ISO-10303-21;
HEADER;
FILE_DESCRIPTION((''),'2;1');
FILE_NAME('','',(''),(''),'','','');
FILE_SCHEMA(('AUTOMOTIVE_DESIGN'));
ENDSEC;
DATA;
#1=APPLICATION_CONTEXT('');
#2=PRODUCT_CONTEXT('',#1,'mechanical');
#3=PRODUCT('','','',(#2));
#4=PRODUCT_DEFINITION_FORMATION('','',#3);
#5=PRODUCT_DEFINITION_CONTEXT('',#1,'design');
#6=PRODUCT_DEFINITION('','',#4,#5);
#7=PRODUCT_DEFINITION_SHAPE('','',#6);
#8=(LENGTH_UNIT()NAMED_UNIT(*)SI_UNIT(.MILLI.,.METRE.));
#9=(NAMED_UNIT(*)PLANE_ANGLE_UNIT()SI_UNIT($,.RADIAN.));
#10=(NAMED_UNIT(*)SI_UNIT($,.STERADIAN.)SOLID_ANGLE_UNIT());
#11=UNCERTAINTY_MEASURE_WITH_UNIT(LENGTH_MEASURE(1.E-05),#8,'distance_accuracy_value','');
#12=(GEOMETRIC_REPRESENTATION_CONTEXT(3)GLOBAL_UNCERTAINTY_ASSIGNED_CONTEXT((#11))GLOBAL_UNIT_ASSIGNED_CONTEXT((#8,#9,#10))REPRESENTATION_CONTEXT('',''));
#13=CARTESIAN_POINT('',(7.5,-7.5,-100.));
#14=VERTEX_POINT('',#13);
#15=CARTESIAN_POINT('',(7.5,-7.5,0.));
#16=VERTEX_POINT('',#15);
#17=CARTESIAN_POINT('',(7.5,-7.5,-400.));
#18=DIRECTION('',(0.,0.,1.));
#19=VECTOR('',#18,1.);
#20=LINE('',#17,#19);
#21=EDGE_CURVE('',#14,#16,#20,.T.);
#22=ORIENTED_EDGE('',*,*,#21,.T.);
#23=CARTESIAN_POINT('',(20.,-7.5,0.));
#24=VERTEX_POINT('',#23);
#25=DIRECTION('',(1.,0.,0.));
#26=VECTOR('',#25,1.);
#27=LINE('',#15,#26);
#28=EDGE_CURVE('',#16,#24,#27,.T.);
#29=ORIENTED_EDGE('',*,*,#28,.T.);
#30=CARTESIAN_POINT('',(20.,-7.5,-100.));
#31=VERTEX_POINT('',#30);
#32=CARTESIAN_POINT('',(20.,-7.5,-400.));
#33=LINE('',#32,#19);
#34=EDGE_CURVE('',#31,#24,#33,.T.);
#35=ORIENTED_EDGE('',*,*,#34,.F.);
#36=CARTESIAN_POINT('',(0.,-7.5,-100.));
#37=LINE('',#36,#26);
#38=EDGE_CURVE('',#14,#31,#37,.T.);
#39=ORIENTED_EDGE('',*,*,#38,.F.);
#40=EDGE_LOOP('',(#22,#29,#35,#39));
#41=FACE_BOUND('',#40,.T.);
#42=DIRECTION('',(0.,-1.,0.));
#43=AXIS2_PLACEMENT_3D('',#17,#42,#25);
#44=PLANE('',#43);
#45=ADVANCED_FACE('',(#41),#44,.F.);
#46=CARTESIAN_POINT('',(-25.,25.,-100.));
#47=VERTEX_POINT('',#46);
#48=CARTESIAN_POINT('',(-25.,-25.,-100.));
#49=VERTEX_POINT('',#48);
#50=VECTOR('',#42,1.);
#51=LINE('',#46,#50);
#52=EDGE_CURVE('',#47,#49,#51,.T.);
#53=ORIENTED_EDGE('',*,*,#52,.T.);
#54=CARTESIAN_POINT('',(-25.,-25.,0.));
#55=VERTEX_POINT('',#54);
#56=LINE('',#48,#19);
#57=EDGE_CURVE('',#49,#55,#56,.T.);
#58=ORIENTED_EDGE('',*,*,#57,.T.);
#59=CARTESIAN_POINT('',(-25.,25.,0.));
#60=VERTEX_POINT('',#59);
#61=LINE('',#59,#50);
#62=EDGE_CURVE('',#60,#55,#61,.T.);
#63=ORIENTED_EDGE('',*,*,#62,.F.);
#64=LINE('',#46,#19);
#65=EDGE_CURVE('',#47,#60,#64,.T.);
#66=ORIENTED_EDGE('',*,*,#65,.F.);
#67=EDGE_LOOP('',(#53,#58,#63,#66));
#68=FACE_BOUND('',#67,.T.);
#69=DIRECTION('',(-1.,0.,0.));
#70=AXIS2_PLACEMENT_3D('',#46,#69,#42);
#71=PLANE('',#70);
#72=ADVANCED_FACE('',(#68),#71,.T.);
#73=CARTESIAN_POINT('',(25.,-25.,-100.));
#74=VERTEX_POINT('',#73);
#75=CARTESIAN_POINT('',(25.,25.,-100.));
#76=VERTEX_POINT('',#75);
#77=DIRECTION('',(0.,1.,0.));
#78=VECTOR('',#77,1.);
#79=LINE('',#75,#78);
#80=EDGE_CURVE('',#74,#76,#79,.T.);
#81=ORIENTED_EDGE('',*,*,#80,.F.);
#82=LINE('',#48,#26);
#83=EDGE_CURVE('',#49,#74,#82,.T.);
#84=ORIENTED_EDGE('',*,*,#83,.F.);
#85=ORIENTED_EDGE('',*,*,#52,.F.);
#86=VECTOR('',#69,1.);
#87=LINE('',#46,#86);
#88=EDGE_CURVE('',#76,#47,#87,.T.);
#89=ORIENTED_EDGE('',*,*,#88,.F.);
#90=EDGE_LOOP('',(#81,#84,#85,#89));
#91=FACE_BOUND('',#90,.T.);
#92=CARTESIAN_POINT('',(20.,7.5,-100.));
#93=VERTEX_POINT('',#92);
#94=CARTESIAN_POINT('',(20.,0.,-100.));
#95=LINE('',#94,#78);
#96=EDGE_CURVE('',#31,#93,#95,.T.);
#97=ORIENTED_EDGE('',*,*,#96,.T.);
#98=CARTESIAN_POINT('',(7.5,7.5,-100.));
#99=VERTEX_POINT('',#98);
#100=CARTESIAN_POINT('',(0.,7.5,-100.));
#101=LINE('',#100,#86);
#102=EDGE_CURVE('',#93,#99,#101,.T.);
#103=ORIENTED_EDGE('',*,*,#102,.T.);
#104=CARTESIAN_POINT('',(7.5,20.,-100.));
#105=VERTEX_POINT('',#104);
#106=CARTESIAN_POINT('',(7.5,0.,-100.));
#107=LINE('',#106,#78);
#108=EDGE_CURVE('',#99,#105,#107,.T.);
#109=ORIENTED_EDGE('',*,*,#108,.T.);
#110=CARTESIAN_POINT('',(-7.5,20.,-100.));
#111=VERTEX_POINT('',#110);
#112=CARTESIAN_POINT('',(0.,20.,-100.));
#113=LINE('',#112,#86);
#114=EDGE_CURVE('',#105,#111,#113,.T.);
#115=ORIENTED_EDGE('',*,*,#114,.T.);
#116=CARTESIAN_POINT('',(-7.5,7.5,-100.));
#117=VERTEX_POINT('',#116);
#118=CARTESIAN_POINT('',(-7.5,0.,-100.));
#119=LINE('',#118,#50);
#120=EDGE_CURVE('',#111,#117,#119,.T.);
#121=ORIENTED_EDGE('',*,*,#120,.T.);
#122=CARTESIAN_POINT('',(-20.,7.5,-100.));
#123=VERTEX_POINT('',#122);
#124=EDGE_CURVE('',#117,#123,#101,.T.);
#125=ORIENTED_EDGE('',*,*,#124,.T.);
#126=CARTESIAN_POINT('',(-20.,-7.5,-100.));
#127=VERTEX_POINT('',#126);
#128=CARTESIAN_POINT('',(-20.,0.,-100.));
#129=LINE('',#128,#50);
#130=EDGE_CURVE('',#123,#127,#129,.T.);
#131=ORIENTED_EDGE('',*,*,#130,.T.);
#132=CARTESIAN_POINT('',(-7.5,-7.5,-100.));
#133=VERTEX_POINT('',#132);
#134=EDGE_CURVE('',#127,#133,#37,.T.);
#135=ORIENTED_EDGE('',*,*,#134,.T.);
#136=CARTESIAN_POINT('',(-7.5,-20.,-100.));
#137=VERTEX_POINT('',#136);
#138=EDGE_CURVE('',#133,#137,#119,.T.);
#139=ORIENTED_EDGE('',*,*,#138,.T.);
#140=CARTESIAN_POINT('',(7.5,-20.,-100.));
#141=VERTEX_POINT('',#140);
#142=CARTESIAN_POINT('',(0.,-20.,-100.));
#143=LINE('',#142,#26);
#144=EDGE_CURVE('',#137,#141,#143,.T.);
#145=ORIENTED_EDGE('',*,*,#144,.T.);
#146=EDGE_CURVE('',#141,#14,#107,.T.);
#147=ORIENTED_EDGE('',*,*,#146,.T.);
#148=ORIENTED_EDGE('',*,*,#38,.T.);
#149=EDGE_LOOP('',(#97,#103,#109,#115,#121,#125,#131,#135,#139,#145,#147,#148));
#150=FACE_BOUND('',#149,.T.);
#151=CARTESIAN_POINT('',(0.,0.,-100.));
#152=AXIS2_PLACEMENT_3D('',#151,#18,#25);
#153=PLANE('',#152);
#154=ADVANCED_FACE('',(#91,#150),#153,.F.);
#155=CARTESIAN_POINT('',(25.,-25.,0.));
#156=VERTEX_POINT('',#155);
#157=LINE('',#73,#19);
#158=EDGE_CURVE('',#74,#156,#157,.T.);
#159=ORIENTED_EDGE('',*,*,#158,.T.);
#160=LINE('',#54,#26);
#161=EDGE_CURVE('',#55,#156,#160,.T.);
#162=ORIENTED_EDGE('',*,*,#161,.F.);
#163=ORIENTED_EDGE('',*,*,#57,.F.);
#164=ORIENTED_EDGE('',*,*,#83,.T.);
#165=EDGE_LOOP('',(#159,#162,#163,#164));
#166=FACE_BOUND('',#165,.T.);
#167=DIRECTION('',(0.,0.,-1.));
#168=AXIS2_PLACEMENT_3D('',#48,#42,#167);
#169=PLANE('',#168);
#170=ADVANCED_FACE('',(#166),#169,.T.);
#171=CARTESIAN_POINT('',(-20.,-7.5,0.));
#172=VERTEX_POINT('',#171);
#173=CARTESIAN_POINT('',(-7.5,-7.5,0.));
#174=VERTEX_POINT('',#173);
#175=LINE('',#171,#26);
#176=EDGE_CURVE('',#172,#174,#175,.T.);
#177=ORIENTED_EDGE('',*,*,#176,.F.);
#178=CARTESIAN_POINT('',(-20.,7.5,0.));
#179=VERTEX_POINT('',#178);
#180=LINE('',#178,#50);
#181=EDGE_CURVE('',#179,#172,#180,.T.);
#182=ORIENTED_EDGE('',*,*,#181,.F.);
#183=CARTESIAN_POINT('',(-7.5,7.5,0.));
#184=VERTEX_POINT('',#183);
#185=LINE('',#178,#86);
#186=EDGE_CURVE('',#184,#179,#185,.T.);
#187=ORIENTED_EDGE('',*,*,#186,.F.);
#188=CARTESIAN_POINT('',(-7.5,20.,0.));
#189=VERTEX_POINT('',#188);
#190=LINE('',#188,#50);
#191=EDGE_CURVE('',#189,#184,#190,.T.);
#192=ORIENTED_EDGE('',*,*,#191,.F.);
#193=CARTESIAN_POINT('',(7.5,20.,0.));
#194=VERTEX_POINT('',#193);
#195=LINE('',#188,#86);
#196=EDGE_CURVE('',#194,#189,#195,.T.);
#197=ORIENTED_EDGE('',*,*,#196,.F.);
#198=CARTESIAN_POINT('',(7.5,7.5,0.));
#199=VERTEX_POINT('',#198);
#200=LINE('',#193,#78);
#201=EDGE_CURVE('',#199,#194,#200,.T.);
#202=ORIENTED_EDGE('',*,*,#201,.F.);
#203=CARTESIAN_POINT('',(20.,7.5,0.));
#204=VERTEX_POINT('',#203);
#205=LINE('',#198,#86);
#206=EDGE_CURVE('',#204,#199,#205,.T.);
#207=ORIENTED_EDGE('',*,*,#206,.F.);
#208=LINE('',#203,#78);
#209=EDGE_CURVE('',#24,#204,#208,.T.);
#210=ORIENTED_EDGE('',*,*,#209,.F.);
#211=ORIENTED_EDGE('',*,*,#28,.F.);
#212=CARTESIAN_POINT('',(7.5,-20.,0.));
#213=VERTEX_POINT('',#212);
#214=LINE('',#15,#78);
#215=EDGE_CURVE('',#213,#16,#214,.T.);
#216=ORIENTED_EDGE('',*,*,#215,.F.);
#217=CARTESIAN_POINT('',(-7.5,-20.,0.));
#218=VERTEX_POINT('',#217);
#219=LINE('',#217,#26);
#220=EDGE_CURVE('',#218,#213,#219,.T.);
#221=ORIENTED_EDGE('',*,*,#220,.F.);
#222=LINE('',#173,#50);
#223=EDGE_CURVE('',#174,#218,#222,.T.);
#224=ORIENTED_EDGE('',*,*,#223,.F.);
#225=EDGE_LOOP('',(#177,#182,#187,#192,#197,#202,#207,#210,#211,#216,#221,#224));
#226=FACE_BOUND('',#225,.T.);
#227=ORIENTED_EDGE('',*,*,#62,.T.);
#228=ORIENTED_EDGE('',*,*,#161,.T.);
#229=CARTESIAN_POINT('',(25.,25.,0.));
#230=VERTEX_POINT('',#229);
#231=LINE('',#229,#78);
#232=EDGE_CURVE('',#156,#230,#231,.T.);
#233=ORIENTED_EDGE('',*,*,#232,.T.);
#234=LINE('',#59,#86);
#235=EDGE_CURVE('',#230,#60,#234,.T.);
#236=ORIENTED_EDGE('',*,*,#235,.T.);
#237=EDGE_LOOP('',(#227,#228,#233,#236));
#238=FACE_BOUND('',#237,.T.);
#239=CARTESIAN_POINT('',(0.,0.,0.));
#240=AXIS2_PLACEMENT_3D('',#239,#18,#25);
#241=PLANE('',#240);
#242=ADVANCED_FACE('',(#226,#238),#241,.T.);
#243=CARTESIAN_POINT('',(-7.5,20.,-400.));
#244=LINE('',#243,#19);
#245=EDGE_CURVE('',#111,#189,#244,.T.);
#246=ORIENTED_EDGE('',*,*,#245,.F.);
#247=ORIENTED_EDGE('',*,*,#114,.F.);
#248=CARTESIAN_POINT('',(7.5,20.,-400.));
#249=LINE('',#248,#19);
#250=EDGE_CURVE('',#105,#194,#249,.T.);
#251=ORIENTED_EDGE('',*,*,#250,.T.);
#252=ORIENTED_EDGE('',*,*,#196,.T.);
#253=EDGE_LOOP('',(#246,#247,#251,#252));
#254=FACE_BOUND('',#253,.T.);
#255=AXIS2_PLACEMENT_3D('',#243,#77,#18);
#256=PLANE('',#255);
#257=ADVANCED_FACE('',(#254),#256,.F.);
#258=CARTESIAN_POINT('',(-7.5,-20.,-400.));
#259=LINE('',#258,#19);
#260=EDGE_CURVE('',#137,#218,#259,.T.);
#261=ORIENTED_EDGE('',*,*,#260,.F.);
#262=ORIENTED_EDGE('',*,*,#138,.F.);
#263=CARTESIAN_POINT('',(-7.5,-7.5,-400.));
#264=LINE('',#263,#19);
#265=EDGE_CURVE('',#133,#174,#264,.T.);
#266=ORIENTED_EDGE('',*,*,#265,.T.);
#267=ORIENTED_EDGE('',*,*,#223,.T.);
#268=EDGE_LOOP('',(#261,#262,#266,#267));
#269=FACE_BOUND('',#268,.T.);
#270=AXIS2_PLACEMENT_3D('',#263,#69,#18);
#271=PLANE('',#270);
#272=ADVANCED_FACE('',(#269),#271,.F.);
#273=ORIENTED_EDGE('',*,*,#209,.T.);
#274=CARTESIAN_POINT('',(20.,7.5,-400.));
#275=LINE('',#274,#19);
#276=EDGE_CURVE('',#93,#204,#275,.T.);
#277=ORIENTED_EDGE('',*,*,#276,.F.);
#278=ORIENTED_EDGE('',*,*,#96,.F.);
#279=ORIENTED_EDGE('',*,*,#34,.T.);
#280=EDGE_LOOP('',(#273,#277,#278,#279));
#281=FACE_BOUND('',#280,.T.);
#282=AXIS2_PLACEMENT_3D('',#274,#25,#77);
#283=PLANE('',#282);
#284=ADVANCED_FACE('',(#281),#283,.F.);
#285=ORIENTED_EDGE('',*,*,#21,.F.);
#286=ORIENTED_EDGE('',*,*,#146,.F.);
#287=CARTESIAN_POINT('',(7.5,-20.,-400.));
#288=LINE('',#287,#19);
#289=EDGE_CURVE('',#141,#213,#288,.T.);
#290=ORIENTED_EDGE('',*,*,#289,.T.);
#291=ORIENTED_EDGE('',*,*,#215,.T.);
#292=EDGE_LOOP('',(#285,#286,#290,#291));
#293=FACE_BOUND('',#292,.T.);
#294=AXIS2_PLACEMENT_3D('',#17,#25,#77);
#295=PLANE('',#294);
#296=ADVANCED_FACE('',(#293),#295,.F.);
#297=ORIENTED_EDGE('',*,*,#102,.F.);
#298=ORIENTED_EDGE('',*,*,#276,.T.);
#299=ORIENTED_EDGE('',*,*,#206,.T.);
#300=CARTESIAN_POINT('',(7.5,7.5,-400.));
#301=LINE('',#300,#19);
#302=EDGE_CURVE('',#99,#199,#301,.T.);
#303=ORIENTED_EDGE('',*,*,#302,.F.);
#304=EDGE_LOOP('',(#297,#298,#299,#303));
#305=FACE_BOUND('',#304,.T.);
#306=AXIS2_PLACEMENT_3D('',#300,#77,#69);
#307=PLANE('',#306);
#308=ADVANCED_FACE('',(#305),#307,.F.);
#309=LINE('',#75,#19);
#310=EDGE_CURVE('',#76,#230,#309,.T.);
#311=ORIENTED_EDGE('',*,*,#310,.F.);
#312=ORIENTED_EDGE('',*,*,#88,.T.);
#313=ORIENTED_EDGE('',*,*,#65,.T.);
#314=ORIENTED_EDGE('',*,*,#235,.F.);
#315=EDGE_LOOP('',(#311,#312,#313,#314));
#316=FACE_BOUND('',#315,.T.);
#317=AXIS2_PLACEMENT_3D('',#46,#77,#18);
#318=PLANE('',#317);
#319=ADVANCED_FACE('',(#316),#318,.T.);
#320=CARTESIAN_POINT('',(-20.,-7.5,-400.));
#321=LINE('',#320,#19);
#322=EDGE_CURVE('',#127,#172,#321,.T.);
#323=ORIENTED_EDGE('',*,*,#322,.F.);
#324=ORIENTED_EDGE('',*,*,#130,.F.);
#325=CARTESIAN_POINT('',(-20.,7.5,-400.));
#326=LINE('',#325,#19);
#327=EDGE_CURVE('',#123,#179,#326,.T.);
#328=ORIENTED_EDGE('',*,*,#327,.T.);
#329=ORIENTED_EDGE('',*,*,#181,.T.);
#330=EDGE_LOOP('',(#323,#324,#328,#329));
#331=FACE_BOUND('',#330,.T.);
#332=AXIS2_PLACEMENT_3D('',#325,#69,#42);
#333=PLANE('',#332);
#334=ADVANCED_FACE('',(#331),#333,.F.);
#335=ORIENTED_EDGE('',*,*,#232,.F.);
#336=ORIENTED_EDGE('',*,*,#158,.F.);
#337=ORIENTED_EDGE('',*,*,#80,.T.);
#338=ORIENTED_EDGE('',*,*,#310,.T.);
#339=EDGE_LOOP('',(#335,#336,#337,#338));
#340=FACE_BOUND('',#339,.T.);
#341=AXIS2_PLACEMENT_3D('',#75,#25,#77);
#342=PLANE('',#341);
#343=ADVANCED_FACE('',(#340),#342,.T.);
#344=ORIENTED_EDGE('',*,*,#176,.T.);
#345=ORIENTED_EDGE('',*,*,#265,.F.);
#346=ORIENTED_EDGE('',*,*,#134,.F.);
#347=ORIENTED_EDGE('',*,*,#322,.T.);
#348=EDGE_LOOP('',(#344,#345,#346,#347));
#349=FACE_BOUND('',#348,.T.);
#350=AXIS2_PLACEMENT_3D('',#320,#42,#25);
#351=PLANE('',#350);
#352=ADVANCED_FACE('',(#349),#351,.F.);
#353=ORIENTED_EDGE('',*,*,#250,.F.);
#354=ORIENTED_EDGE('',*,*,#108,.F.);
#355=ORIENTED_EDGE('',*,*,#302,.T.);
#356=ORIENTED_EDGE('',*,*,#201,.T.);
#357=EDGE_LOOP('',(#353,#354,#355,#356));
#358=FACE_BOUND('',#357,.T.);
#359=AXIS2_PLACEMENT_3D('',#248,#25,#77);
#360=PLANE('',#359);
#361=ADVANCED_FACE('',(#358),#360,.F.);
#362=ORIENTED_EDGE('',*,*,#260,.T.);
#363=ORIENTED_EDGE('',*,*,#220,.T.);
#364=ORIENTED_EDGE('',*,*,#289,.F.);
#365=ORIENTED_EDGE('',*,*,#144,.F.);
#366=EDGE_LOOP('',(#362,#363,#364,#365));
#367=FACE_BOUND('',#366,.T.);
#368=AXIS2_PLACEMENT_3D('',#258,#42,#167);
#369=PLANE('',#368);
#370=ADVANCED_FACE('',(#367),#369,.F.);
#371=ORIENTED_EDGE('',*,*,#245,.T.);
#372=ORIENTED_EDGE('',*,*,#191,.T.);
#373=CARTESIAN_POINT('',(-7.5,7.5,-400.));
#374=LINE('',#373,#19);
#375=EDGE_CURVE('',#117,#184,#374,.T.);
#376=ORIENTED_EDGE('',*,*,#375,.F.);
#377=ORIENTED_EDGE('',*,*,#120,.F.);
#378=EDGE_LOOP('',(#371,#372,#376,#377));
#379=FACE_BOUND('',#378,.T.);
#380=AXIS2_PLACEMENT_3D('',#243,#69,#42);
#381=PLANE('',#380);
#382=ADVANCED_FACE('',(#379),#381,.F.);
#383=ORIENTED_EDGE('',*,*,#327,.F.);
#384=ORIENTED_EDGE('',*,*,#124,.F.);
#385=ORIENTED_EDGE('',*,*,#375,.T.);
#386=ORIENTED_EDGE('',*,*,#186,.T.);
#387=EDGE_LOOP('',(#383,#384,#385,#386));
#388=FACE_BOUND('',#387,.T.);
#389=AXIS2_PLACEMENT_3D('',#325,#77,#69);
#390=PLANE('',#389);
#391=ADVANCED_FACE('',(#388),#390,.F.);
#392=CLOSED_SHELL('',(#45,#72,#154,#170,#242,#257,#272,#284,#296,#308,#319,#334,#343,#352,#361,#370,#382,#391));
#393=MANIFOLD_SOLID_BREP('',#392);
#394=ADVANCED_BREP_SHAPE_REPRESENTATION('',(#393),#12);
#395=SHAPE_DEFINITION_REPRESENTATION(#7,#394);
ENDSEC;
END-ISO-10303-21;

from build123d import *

# Parameters (mm, degrees)
SKETCH1_W           = 50
SKETCH1_H           = 50
BOSS_EXTRUDE1_DEPTH = 100
CUT_EXTRUDE1_DEPTH  = 400


with BuildPart() as part:
    # Sketch1 → Boss-Extrude1 (new body)
    with BuildSketch(Plane.XY):
        Rectangle(SKETCH1_W, SKETCH1_H)
    extrude(amount=-BOSS_EXTRUDE1_DEPTH)

    # Sketch2 → Cut-Extrude1 (cut)
    with BuildSketch(Plane.XY):
        Polygon((7.5, 7.5), (20, 7.5), (20, -7.5), (7.5, -7.5), (7.5, -20), (-7.5, -20), (-7.5, -7.5), (-20, -7.5), (-20, 7.5), (-7.5, 7.5), (-7.5, 20), (7.5, 20), align=None)
    extrude(amount=-CUT_EXTRUDE1_DEPTH, mode=Mode.SUBTRACT)


solid = part.part
